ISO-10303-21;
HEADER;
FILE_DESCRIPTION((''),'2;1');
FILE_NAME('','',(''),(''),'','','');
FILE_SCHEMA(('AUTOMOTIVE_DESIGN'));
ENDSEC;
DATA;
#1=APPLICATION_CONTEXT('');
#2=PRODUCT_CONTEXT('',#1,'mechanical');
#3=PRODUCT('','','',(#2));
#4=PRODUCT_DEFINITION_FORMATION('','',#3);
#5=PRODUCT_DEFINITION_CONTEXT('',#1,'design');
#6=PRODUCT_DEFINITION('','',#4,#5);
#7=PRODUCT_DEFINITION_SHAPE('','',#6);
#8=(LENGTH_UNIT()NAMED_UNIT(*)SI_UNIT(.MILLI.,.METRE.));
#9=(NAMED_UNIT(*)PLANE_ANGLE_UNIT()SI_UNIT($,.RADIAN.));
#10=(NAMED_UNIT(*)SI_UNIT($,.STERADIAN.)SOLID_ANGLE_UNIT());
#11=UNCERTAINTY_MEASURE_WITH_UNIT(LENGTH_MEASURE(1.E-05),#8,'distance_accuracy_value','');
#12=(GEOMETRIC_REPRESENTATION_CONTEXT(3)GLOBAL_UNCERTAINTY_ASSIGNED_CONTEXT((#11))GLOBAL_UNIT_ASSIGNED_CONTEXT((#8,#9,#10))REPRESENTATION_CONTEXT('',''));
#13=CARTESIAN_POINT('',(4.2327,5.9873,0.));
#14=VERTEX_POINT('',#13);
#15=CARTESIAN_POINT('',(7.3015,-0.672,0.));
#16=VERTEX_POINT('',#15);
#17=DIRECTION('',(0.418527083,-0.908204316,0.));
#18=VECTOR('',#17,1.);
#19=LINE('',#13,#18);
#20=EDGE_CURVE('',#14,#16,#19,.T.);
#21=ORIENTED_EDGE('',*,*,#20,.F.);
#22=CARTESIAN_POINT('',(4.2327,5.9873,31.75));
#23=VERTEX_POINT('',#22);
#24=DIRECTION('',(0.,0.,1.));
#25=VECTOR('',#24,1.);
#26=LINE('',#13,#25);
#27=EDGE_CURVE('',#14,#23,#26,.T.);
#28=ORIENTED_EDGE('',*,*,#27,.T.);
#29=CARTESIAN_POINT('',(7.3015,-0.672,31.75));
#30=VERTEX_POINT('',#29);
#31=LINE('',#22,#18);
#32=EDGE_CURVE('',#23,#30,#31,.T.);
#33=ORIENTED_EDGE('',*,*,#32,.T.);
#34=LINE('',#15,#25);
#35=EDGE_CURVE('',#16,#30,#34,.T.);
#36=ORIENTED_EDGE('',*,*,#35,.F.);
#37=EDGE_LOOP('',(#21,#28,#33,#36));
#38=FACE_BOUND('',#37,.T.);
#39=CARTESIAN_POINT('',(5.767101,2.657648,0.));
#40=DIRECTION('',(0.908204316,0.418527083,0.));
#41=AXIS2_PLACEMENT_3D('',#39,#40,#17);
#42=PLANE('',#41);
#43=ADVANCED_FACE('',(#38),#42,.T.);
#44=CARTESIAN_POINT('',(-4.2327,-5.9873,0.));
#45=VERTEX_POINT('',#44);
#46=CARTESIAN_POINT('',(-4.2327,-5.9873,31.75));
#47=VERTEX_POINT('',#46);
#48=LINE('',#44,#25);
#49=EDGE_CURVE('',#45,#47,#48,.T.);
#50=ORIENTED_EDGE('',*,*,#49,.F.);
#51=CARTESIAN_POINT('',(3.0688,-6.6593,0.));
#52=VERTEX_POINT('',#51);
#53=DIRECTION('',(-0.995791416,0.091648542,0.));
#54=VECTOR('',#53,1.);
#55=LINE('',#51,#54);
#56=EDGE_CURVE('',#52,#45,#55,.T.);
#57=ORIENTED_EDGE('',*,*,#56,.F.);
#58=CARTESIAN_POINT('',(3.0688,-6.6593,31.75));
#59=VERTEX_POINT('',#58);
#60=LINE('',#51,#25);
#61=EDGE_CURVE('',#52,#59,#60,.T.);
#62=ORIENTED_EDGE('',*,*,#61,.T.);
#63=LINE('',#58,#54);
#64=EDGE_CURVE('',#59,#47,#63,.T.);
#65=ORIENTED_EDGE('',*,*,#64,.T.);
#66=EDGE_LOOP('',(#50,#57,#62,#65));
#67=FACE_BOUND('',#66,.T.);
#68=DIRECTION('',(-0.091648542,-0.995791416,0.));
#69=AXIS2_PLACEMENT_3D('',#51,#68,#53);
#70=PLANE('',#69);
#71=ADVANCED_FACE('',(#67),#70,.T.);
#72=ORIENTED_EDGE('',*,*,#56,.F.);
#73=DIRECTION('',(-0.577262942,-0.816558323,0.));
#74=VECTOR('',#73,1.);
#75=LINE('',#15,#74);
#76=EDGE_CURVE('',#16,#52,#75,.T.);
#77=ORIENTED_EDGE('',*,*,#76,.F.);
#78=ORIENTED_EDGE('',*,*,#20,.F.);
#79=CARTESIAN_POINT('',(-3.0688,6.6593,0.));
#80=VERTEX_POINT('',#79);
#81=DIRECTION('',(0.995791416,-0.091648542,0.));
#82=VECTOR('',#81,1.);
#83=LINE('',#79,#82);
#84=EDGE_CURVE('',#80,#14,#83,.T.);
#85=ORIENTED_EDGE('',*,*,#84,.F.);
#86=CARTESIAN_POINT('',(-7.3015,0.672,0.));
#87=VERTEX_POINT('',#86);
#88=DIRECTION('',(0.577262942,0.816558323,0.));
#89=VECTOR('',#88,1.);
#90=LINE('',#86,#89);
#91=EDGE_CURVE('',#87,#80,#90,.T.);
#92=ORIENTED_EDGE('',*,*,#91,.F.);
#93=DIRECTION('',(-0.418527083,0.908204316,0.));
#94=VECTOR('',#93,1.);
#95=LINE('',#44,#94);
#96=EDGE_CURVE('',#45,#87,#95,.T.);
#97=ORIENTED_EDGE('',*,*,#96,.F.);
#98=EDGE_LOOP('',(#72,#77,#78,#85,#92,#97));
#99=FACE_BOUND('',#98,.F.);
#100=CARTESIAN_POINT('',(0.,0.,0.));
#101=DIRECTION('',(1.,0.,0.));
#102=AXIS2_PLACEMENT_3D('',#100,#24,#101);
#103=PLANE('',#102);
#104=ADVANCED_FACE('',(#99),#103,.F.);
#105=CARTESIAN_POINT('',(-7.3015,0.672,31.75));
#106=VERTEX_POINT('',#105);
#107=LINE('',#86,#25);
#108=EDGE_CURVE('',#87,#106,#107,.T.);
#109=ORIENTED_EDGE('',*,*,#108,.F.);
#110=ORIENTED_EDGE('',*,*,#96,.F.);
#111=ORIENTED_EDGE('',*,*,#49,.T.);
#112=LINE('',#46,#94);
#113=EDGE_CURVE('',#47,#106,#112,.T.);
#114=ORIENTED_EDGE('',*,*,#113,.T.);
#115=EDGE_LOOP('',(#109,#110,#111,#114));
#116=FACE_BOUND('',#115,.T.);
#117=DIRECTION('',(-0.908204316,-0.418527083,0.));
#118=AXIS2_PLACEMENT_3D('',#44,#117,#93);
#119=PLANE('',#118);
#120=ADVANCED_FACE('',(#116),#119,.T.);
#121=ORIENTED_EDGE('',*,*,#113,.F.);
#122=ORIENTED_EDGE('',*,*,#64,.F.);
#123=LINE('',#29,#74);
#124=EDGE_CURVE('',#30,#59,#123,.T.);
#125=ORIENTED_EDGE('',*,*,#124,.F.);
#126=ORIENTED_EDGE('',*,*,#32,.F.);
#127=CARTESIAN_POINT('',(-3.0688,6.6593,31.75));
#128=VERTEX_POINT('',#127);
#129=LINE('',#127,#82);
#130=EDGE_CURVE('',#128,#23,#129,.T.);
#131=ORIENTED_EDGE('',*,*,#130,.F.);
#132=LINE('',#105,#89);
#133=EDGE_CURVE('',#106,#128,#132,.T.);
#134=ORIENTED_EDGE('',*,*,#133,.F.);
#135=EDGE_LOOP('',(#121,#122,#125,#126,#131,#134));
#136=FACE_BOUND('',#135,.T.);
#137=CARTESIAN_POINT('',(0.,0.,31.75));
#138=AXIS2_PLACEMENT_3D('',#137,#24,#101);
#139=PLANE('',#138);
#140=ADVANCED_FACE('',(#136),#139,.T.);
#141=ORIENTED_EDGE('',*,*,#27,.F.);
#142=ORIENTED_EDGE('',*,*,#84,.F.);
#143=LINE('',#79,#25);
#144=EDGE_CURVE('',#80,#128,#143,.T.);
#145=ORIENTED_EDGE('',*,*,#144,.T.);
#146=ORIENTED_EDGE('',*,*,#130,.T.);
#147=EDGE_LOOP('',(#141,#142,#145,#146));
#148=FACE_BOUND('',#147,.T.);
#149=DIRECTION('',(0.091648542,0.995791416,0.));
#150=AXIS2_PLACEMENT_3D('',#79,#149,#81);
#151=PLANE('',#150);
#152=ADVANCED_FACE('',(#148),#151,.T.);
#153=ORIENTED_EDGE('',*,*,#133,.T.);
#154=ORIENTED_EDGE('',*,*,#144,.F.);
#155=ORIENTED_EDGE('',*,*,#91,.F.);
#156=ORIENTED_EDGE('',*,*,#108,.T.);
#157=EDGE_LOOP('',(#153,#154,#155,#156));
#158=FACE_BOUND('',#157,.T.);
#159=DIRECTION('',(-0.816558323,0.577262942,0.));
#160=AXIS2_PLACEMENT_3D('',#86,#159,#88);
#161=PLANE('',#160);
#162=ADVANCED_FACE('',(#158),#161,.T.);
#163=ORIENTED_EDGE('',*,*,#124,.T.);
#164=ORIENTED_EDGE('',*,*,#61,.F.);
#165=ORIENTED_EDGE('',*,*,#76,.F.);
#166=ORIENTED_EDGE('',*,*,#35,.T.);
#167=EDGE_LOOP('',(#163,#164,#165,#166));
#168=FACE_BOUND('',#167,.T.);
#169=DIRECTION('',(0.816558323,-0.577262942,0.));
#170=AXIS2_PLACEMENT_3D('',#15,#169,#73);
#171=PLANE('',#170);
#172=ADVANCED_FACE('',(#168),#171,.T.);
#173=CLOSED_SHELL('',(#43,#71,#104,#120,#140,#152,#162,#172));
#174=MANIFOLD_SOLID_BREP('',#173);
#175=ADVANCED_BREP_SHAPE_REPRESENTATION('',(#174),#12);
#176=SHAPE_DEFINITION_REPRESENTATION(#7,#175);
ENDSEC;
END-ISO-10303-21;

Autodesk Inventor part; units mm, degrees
ref_plane "YZ Plane" through (0, 0, 0) normal (1, 0, 0) x (0, 1, 0)
ref_plane "XZ Plane" through (0, 0, 0) normal (0, 1, 0) x (-1, 0, 0)
ref_plane "XY Plane" through (0, 0, 0) normal (0, 0, 1) x (1, 0, 0)
sketch "Sketch1" plane through (0, 0, 0) normal (0, 0, 1) x (1, 0, 0)
  circle A0 centre (0, 0) radius 6.35
  line L0 (7.3015, -0.672) -> (3.0688, -6.6593)
  line L1 (3.0688, -6.6593) -> (-4.2327, -5.9873)
  line L2 (-4.2327, -5.9873) -> (-7.3015, 0.672)
  line L3 (-7.3015, 0.672) -> (-3.0688, 6.6593)
  line L4 (-3.0688, 6.6593) -> (4.2327, 5.9873)
  line L5 (4.2327, 5.9873) -> (7.3015, -0.672)
  point P0 (5.7671, 2.6576)
  dimension "d0" = 12.7
extrude "Extrusion1" add sketch "Sketch1" along normal blind 31.75
properties part number "4-bar intake peg"
